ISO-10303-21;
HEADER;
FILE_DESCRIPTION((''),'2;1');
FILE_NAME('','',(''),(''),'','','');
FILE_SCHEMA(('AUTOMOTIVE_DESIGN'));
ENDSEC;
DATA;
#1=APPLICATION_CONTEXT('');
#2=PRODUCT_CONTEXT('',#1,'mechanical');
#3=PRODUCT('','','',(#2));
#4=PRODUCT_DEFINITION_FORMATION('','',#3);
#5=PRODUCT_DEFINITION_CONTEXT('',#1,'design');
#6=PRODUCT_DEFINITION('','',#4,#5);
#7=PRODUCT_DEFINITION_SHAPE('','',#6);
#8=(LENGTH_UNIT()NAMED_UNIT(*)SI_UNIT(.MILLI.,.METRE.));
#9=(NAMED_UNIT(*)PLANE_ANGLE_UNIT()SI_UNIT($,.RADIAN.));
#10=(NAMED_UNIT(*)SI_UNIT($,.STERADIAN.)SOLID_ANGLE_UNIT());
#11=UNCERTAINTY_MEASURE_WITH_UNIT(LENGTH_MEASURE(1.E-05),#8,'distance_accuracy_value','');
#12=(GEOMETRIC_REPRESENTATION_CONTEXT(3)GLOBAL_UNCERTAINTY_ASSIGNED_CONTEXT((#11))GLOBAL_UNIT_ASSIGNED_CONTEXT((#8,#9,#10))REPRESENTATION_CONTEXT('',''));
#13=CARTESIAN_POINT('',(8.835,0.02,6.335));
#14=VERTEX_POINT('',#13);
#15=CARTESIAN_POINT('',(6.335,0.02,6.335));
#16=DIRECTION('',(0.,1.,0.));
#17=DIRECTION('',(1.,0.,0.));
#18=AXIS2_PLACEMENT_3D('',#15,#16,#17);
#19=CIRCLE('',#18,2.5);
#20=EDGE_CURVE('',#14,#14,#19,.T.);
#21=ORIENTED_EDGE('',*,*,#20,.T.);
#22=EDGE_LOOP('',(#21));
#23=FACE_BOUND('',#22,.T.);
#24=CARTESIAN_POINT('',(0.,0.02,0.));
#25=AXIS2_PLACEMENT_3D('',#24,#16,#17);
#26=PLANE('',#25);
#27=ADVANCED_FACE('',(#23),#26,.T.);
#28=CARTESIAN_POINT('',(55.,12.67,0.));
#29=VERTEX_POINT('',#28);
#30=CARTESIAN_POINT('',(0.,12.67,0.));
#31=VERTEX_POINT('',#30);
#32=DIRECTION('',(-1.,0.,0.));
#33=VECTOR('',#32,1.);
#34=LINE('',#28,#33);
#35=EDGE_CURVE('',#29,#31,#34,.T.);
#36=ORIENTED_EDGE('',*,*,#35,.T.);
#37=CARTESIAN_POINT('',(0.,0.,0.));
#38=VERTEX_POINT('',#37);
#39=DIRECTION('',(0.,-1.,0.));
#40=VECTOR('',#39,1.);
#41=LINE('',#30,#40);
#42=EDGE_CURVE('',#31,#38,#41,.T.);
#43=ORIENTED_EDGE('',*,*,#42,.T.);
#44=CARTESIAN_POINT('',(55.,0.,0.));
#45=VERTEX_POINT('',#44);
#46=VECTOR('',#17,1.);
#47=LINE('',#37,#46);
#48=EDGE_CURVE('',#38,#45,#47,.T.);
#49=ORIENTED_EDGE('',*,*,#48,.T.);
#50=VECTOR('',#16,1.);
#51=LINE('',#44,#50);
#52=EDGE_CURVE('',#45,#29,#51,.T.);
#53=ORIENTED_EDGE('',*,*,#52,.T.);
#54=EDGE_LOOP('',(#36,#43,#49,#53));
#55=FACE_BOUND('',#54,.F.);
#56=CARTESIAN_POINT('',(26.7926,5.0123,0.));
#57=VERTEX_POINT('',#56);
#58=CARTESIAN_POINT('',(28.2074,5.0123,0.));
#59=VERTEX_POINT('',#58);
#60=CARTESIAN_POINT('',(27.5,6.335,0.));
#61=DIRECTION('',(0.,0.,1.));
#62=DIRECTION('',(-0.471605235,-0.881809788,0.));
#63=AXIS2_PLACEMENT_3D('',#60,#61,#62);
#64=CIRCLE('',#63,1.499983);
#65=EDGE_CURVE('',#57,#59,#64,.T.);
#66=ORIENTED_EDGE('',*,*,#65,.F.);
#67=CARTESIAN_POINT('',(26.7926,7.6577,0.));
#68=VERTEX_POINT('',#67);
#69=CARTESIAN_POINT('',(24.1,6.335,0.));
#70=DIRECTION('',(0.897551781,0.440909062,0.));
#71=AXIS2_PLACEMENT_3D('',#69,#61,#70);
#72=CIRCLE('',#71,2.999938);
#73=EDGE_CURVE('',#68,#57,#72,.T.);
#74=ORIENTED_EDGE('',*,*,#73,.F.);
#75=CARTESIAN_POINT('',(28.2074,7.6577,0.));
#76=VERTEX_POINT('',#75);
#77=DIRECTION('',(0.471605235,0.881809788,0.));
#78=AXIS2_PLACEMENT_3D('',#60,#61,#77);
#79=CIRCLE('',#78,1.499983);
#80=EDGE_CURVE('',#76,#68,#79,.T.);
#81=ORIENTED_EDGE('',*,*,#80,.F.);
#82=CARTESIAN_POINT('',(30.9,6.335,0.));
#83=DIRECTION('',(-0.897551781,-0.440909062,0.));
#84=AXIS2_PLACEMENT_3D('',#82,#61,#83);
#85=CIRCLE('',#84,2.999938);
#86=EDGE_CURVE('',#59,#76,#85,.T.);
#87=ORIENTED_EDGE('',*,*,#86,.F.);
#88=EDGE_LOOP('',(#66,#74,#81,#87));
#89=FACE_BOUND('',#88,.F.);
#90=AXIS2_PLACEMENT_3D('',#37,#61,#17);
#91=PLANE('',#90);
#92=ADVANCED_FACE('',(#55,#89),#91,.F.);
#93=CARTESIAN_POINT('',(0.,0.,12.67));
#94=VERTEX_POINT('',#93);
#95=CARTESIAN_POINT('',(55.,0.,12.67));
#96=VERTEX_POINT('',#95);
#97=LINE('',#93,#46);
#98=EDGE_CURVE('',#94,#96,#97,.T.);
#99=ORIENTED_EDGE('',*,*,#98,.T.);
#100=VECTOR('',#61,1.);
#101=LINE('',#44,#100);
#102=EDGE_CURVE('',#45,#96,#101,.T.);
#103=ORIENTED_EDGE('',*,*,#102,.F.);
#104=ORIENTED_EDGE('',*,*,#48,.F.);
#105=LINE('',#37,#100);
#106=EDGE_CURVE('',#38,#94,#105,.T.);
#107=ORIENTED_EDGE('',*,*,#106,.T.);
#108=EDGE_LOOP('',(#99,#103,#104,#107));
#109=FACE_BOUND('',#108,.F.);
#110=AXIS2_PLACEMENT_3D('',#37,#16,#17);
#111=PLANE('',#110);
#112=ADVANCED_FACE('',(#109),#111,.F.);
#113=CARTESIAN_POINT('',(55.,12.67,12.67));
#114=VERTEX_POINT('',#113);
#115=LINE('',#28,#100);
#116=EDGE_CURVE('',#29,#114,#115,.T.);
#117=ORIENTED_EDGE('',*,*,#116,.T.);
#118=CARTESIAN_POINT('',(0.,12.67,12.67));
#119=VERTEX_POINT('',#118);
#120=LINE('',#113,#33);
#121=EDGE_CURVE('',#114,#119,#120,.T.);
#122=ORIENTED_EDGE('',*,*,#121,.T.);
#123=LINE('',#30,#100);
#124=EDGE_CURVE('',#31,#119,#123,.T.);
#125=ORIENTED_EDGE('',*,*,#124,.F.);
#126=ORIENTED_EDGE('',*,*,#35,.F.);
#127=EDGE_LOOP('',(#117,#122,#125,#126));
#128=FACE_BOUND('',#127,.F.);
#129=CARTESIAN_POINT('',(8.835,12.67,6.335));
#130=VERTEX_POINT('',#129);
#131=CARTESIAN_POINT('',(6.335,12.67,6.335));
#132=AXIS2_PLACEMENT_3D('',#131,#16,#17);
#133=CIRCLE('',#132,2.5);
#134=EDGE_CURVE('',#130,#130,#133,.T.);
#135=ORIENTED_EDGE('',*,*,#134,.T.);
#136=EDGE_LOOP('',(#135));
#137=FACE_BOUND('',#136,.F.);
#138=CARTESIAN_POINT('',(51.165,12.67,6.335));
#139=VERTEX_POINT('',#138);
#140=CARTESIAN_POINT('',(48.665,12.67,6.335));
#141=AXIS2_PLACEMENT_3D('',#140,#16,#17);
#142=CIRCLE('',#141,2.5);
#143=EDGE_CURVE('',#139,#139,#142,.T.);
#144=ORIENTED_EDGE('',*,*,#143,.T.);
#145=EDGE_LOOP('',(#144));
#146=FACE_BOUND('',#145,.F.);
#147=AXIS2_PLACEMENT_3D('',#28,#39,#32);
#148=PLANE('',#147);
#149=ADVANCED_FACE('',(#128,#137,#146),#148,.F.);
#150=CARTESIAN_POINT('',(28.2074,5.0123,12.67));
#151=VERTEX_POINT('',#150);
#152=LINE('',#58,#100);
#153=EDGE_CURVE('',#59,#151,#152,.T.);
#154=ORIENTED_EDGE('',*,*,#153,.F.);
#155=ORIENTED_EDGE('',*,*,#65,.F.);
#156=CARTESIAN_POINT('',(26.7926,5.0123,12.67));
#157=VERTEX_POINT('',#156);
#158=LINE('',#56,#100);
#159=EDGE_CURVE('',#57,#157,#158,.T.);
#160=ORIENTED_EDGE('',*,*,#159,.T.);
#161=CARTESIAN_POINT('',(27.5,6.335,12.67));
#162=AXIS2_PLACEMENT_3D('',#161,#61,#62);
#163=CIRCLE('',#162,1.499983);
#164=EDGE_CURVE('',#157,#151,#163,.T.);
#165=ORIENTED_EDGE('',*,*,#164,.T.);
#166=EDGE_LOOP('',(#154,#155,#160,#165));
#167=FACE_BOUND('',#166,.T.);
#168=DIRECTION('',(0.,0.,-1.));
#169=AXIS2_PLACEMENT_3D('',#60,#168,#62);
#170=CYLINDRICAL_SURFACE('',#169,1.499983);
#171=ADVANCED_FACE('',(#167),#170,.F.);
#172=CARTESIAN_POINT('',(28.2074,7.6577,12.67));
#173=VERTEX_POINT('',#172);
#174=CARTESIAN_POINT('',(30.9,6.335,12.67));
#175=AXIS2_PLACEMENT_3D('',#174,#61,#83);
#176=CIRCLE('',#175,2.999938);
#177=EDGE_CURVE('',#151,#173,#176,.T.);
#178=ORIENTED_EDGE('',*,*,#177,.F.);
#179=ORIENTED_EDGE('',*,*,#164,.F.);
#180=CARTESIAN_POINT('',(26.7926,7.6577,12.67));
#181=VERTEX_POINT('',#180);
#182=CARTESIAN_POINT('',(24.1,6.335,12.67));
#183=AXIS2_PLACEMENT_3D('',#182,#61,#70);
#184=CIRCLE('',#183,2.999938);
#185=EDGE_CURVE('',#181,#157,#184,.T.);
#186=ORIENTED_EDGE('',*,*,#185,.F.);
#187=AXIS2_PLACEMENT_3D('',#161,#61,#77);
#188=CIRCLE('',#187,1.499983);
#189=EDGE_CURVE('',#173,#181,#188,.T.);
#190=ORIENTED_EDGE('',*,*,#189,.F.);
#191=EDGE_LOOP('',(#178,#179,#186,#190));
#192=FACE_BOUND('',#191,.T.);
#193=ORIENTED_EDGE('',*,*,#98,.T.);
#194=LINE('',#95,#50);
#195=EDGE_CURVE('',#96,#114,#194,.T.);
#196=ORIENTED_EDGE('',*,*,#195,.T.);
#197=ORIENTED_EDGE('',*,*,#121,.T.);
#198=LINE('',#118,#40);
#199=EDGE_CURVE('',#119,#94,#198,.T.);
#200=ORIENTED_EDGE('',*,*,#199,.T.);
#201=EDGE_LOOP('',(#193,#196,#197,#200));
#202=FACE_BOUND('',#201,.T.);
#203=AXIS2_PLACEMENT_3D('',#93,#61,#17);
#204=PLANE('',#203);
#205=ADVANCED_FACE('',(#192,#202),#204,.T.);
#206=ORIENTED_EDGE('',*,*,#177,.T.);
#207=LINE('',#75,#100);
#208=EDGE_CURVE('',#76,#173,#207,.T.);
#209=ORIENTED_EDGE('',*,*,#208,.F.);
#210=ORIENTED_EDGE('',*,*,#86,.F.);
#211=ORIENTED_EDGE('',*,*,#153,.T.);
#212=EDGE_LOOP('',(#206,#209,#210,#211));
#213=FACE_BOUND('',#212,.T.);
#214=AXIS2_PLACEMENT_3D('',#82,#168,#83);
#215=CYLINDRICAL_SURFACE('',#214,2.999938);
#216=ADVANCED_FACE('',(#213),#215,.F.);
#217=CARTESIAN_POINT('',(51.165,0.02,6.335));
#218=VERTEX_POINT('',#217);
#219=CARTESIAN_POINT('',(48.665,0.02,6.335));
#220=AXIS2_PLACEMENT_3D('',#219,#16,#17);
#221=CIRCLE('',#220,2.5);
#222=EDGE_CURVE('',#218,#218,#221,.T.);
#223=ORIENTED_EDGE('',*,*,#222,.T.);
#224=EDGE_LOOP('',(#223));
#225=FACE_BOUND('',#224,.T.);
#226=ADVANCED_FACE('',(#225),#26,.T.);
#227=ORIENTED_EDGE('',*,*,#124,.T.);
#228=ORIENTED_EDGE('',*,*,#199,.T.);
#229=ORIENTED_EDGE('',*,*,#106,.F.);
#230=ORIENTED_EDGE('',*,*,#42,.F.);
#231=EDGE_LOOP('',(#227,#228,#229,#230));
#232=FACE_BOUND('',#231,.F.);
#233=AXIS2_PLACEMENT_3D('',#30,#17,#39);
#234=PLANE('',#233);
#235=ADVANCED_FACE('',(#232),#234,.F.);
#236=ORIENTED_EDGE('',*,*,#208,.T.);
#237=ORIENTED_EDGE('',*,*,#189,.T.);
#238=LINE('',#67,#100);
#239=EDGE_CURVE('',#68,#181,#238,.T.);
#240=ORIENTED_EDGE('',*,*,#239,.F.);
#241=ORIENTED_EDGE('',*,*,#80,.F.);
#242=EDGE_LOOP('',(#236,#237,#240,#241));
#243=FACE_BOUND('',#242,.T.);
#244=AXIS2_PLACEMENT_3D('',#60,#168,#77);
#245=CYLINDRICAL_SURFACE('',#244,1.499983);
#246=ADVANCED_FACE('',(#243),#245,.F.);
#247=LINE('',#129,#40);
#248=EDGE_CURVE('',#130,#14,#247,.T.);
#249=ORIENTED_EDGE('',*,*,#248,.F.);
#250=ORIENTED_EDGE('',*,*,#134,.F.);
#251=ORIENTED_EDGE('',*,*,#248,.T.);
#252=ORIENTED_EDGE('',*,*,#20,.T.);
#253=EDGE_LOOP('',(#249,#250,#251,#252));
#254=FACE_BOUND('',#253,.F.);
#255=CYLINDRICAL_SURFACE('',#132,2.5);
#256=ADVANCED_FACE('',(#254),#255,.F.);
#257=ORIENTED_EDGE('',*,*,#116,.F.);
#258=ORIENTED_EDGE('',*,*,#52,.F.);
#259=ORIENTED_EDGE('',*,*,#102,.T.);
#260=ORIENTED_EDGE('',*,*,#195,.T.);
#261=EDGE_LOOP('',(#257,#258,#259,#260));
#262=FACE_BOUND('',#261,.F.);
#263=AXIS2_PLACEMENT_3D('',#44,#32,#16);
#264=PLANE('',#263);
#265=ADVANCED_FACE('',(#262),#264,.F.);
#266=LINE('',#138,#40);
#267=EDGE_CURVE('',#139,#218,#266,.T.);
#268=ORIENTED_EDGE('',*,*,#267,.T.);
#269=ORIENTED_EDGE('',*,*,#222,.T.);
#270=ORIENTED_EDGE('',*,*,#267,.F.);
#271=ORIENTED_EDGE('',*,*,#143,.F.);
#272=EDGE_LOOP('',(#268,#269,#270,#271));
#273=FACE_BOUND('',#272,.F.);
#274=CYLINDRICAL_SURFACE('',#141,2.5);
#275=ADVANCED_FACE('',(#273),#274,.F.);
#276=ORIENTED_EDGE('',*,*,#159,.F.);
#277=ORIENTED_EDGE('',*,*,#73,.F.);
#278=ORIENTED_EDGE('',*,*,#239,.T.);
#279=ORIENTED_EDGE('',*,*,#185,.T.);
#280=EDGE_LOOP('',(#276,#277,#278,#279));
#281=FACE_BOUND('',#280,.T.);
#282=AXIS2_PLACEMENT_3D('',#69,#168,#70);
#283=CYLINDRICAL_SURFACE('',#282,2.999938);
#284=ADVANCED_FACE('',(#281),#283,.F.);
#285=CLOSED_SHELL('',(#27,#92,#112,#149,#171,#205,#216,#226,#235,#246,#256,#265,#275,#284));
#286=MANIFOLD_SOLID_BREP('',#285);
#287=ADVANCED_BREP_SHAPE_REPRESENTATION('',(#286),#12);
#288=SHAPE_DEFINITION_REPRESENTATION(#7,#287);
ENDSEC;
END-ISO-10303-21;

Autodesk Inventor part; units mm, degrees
ref_plane "YZ Plane" through (0, 0, 0) normal (1, 0, 0) x (0, 1, 0)
ref_plane "XZ Plane" through (0, 0, 0) normal (0, 1, 0) x (-1, 0, 0)
ref_plane "XY Plane" through (0, 0, 0) normal (0, 0, 1) x (1, 0, 0)
sketch "Sketch1" plane through (0, 0, 0) normal (0, 0, 1) x (1, 0, 0)
  line L0 (0, 0) -> (55, 0)
  line L1 (55, 0) -> (55, 12.67)
  line L2 (55, 12.67) -> (0, 12.67)
  line L3 (0, 12.67) -> (0, 0)
  arc A0 (26.7926, 5.0123) -> (28.2074, 5.0123) centre (27.5, 6.335) ccw
  arc A1 (28.2074, 5.0123) -> (28.2074, 7.6577) centre (30.9, 6.335) ccw
  arc A2 (26.7926, 7.6577) -> (26.7926, 5.0123) centre (24.1, 6.335) ccw
  arc A3 (28.2074, 7.6577) -> (26.7926, 7.6577) centre (27.5, 6.335) ccw
  dimension "d0" = 55
  dimension "d1" = 12.67
  dimension "d2" = 3
  dimension "d3" = 6
  dimension "d4" = 6
  dimension "d5" = 6.8
  dimension "d6" = 6.335
  dimension "d7" = 6.335
  dimension "d9" = 6.335
  dimension "d10" = 27.5
  dimension "d11" = 3.4
extrude "Extrusion1" add sketch "Sketch1" along normal blind 12.67
sketch "Sketch2" plane through (0, 12.67, 0) normal (0, 1, 0) x (1, 0, 0)
  circle A0 centre (6.335, -6.335) radius 2.5
  circle A1 centre (48.665, -6.335) radius 2.5
  line L0 (55, 0) -> (0, 0) projected
  line L1 (0, 0) -> (0, -12.67) projected
  line L2 (55, 0) -> (55, -12.67) projected
  dimension "d14" = 5
  dimension "d15" = 5
  dimension "d16" = 6.335
  dimension "d17" = 6.335
  dimension "d18" = 6.335
  dimension "d19" = 6.335
extrude "Extrusion2" cut sketch "Sketch2" against normal blind 12.65
thread "Thread1" size "M5x0.8" class "6H" standard "ANSI Metric M Profile" full length
thread "Thread2" size "M5x0.8" class "6H" standard "ANSI Metric M Profile" full length
properties part number "LoadCell" material "Aluminum 6061"
